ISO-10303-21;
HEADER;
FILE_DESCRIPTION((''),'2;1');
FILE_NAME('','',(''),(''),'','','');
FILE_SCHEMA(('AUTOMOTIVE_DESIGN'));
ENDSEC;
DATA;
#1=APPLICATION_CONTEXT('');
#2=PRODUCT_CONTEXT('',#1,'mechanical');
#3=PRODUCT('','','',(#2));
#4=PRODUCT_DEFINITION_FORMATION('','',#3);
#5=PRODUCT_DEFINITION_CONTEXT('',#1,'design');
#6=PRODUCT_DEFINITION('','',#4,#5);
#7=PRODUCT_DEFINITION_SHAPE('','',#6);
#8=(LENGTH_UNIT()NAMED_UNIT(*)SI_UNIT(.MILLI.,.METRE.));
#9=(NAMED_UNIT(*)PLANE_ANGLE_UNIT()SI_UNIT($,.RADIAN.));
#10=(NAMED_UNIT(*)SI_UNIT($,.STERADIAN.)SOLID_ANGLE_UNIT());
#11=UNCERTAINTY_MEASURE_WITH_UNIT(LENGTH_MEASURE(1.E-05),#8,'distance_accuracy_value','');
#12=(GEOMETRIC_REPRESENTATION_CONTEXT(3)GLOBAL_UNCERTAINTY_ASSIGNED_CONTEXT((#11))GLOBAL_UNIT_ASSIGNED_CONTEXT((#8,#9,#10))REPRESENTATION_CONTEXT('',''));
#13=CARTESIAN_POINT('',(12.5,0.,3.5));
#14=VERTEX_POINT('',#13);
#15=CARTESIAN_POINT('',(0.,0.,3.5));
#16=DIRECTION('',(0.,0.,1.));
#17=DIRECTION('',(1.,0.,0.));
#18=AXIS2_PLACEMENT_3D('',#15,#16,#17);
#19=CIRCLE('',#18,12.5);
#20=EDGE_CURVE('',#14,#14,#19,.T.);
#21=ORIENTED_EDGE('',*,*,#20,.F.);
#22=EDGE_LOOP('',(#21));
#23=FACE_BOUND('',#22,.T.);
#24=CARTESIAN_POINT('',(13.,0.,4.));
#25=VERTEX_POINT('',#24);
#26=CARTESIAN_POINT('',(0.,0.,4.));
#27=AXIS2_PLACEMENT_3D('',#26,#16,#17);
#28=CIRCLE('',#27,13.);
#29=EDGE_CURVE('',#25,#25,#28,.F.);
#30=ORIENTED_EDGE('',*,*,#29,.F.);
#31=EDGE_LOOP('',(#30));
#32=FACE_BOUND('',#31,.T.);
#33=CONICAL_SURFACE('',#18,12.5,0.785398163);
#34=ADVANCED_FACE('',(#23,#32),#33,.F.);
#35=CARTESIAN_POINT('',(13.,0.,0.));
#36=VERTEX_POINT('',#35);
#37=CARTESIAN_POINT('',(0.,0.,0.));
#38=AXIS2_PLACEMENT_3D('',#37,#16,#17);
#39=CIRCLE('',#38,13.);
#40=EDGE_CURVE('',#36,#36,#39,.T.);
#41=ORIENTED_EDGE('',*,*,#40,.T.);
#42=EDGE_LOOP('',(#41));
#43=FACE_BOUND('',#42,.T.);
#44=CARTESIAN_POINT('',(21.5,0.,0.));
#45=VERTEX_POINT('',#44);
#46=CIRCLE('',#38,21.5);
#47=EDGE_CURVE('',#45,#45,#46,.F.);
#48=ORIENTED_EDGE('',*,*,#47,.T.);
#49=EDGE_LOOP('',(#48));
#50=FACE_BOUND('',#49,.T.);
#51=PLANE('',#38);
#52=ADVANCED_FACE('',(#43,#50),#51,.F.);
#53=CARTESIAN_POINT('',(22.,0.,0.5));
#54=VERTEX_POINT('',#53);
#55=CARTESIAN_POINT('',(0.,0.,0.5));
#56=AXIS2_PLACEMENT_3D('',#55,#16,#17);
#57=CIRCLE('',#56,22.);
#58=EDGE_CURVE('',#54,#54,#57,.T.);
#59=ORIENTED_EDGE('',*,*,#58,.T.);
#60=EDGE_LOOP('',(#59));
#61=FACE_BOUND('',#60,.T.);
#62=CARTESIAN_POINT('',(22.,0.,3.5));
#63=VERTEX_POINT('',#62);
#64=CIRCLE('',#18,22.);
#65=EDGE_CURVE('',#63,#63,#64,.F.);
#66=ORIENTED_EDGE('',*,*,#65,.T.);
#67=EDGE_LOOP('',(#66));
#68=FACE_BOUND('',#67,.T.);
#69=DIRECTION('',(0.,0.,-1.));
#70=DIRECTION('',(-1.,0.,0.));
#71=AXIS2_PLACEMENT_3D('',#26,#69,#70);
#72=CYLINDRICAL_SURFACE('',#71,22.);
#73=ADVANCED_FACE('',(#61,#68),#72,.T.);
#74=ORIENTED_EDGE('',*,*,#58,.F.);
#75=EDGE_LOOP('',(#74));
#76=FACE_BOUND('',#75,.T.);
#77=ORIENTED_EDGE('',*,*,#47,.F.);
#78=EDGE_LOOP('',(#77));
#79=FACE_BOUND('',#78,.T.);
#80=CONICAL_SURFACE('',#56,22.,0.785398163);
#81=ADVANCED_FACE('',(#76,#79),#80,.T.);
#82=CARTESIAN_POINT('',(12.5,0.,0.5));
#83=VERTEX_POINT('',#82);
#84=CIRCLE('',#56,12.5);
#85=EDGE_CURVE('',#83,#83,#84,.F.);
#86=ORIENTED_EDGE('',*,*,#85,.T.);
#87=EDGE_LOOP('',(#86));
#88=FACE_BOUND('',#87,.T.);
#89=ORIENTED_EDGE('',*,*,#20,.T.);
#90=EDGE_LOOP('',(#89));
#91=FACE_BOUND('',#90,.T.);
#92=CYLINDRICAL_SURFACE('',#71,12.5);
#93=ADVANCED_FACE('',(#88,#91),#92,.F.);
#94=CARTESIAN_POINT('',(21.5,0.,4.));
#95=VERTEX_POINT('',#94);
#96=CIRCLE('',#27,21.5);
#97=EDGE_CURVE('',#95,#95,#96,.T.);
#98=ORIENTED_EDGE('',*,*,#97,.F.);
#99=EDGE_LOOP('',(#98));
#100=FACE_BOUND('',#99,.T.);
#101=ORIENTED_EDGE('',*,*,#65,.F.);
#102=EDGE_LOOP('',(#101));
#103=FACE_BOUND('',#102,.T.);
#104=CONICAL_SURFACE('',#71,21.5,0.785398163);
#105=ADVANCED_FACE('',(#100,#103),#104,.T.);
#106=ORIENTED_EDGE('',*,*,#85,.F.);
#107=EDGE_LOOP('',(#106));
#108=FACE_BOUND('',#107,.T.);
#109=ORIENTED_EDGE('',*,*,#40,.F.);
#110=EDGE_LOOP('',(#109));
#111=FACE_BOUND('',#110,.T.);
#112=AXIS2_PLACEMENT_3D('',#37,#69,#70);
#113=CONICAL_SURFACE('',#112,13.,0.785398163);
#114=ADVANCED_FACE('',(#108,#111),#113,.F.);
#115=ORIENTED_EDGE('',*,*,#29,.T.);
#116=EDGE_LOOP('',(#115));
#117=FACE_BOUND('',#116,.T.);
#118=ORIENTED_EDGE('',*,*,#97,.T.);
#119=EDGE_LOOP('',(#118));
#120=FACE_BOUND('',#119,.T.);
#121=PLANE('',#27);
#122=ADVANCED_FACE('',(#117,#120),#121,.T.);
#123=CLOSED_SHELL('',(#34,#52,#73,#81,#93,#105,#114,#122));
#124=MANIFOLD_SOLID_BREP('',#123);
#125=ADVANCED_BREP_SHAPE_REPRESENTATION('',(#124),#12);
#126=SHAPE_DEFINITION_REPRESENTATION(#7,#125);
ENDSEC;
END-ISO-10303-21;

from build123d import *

# Parameters (mm, degrees)
SZKIC1_R                    = 22
SZKIC1_R_2                  = 12.5
DODANIE_WYCI_GNI_CIE1_DEPTH = 4
SFAZOWANIE1_SIZE            = 0.5


with BuildPart() as part:
    # Szkic1 → Dodanie-wyciągnięcie1 (new body)
    with BuildSketch(Plane.XY):
        Circle(SZKIC1_R)
        Circle(SZKIC1_R_2, mode=Mode.SUBTRACT)
    extrude(amount=DODANIE_WYCI_GNI_CIE1_DEPTH)

    # Sfazowanie1
    sfazowanie1_edges = [part.edges().sort_by_distance(p)[0] for p in [
        (-22, 0, 0),
        (-22, 0, 4),
        (-12.5, 0, 0),
        (-12.5, 0, 4),
    ]]
    chamfer(sfazowanie1_edges, length=SFAZOWANIE1_SIZE)


solid = part.part
